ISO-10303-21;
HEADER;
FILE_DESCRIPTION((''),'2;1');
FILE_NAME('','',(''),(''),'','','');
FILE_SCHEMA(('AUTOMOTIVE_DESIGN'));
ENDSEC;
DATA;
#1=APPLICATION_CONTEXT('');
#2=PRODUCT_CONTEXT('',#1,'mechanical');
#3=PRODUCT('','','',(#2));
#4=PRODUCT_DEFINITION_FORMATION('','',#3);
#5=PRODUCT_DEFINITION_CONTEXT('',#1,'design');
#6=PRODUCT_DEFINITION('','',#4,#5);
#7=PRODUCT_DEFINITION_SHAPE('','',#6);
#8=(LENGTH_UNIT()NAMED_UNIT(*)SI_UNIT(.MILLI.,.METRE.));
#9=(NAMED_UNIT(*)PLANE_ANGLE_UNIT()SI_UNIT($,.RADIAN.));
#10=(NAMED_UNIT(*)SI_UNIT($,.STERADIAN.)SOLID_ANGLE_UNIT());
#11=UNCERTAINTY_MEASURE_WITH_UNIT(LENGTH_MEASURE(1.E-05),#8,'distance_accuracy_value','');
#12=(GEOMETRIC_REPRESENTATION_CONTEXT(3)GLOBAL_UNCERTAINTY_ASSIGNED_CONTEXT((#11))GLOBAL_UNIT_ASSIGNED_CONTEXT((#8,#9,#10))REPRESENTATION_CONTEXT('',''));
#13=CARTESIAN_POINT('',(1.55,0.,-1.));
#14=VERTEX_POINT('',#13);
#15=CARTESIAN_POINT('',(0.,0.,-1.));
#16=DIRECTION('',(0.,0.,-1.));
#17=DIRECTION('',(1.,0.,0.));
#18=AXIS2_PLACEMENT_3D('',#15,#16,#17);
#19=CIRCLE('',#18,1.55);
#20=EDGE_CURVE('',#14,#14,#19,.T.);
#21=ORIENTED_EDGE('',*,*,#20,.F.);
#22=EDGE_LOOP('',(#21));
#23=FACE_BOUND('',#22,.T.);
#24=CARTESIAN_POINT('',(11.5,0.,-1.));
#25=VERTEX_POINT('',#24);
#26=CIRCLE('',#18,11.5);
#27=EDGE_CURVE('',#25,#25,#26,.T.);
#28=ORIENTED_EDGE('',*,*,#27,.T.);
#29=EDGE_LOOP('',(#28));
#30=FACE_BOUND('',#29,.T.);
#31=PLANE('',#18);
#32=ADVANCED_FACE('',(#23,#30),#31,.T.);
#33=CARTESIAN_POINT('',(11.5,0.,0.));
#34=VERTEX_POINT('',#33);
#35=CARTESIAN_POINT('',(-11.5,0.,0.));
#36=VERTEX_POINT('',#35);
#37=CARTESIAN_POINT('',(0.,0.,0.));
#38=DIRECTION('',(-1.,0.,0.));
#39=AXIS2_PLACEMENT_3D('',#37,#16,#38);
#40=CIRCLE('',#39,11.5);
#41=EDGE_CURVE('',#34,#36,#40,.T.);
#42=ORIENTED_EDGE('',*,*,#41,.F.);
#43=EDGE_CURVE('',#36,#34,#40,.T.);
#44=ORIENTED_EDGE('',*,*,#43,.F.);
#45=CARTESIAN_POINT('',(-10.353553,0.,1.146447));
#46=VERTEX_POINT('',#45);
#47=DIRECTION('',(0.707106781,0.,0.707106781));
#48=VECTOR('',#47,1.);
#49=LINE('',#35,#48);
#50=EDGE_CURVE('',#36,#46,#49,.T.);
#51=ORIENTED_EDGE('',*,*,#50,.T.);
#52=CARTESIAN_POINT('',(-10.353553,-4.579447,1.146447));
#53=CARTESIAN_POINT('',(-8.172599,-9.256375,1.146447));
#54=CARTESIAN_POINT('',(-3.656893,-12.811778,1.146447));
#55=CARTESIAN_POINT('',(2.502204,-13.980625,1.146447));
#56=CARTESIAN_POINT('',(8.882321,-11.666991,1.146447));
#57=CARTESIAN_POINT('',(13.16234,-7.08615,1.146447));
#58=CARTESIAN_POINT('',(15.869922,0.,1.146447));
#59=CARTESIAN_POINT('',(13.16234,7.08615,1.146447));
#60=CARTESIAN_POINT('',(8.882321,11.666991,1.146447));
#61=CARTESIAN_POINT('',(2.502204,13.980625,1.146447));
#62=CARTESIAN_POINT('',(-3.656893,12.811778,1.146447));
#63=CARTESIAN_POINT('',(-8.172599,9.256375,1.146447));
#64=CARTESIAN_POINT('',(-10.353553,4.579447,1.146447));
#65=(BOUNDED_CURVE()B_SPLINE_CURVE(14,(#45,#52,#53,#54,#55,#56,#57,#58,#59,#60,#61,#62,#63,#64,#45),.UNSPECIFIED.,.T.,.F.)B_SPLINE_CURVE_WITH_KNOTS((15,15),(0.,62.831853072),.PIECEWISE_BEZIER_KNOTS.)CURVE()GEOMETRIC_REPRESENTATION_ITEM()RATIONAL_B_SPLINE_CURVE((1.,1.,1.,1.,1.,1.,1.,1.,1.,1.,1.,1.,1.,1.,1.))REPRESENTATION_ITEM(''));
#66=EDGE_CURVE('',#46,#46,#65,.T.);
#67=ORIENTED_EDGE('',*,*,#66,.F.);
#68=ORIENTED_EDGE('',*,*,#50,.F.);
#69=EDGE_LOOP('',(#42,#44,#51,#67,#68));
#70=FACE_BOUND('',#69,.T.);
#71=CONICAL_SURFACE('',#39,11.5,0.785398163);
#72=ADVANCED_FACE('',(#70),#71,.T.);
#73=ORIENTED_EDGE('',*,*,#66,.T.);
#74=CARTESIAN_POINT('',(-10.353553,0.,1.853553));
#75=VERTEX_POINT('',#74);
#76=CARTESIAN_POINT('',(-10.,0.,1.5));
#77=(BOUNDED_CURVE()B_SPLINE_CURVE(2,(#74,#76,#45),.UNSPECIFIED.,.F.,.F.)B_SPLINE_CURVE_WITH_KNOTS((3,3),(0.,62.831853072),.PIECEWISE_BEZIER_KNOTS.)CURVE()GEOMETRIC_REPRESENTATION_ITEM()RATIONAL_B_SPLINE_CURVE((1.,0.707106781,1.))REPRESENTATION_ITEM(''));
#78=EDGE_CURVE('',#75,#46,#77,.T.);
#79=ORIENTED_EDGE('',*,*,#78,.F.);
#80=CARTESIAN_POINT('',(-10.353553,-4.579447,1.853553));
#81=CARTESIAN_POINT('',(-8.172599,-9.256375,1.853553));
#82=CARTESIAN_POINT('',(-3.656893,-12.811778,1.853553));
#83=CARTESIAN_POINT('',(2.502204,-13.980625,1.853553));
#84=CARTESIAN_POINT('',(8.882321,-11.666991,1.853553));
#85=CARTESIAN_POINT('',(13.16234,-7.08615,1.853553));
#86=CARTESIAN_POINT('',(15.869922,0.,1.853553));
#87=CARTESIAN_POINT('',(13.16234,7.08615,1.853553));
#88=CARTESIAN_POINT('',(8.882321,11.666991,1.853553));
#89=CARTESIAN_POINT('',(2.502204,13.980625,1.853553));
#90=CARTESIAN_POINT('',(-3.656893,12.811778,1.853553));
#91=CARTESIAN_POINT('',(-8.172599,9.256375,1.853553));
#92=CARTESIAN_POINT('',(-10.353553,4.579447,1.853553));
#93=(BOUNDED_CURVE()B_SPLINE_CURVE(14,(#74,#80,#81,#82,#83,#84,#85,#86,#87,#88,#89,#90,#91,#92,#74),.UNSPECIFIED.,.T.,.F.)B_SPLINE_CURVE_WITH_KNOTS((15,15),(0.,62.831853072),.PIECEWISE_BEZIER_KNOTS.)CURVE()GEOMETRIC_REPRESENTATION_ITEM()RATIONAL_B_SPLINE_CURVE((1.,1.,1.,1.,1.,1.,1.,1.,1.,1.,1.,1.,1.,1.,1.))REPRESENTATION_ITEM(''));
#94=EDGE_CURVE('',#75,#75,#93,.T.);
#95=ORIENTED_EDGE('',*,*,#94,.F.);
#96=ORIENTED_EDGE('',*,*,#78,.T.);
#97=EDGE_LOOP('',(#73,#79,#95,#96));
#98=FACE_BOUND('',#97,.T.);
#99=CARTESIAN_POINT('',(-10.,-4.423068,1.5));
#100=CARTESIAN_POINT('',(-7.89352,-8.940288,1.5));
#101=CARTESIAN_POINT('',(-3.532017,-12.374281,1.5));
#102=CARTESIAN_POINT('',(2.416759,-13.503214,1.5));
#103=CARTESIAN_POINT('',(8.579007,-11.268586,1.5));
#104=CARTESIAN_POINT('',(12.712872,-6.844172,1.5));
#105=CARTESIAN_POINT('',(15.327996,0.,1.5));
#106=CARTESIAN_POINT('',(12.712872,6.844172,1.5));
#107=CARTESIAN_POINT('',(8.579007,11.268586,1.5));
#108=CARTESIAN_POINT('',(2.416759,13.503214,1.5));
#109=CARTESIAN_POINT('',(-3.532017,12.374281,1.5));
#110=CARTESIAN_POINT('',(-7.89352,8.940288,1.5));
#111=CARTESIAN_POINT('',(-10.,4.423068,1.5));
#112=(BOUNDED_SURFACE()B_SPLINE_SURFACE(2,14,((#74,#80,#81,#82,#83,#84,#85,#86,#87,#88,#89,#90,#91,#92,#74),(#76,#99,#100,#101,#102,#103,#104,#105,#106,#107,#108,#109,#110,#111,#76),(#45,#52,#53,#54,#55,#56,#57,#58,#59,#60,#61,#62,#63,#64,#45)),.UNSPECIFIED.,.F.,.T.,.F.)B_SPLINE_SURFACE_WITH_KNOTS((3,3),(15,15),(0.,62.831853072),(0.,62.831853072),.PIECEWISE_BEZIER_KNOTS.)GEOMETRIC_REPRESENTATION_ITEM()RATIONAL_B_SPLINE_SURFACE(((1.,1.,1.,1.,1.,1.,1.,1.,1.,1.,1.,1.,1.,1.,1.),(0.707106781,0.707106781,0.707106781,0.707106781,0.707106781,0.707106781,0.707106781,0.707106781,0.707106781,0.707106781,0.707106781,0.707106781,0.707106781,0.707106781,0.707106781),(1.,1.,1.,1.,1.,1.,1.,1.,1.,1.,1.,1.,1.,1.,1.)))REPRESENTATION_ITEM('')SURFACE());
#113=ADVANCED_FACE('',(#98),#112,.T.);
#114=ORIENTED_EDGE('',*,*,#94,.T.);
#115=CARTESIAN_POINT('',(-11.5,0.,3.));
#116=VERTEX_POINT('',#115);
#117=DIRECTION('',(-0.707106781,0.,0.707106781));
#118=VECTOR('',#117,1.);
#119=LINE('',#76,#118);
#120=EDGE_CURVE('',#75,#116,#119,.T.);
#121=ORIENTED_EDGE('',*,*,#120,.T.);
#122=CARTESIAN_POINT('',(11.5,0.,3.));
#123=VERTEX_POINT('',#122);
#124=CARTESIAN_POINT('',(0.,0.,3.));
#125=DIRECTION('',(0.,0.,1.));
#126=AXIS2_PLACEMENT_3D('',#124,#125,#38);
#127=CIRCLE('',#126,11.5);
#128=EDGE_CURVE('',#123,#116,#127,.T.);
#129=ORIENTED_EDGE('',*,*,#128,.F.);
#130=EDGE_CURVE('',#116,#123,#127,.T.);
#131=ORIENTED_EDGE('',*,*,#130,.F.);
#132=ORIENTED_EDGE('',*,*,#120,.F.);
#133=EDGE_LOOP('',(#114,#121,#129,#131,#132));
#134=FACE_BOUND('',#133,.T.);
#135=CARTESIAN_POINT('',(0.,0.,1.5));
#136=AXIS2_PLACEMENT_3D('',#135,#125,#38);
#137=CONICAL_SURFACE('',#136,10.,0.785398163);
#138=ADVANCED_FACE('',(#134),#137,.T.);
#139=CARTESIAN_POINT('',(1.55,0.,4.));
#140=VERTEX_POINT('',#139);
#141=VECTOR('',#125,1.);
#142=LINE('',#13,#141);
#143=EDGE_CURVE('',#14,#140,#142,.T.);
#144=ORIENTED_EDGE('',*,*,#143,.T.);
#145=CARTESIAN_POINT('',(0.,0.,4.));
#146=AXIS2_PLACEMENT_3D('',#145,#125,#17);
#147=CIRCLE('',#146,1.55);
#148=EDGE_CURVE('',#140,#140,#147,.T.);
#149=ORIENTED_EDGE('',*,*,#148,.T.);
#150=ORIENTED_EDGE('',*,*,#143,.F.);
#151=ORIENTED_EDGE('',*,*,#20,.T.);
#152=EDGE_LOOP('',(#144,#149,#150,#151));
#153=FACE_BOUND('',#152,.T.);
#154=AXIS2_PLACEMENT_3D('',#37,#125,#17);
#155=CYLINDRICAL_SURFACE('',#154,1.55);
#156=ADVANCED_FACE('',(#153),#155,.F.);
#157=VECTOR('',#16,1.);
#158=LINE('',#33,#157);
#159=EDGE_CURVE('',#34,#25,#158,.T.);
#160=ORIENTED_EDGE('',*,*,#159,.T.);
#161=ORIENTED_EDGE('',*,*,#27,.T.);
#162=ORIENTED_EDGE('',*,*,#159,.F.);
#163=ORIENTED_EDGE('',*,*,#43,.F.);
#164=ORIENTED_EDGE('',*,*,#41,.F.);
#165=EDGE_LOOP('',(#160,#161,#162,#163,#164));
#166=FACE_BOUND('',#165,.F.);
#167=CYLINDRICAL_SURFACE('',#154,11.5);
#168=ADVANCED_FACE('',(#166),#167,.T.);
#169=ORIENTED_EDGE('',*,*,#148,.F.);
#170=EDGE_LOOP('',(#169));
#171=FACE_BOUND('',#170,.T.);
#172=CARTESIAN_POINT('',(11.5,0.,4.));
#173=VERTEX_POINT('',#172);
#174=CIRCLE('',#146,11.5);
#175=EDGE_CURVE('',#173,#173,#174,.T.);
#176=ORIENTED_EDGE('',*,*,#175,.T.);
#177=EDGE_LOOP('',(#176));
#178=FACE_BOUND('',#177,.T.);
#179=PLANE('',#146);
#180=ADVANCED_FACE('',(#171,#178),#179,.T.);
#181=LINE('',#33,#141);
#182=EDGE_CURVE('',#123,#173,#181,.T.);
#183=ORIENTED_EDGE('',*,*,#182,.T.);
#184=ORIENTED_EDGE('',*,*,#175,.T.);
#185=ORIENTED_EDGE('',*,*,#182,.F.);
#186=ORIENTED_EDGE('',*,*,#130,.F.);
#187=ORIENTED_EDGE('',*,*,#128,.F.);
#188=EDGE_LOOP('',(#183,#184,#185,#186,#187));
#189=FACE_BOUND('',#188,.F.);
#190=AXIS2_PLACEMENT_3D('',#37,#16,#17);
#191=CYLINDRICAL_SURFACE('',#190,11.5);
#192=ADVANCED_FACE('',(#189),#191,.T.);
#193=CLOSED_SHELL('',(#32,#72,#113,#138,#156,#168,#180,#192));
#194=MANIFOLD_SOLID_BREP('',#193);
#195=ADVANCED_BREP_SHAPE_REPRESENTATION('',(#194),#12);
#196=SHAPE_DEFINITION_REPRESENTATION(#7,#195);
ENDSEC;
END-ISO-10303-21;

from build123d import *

# Parameters (mm, degrees)
F0_R        = 11.5
F0_R_2      = 1.55
F2_DEPTH    = 4
F2_FACE_R   = 11.5
F2_FACE_R_2 = 1.55
F4_DEPTH    = 1
F5_R        = 0.5


with BuildPart() as f2:
    # F0 (on Top) → F2 (new body)
    with BuildSketch(Plane.XY):
        Circle(F0_R)
        Circle(F0_R_2, mode=Mode.SUBTRACT)
    extrude(amount=F2_DEPTH)

    # F1 (on Front) → F3 (revolve, cut)
    with BuildSketch(Plane.XZ):
        Polygon((-11.5, 3), (-11.5, 0), (-10, 1.5), align=None)
    revolve(axis=Axis((0, 0, 1.929782), (0, 0, 1)), mode=Mode.SUBTRACT)

    # F2_face (on face) → F4 (join)
    with BuildSketch(Plane(origin=(0, 0, 0), x_dir=(1, 0, 0), z_dir=(0, 0, -1))):
        Circle(F2_FACE_R)
        Circle(F2_FACE_R_2, mode=Mode.SUBTRACT)
    extrude(amount=F4_DEPTH)

    # F5
    f5_edges = [f2.edges().sort_by_distance(p)[0] for p in [
        (10, 0, 1.5),
    ]]
    fillet(f5_edges, radius=F5_R)


solid = f2.part
